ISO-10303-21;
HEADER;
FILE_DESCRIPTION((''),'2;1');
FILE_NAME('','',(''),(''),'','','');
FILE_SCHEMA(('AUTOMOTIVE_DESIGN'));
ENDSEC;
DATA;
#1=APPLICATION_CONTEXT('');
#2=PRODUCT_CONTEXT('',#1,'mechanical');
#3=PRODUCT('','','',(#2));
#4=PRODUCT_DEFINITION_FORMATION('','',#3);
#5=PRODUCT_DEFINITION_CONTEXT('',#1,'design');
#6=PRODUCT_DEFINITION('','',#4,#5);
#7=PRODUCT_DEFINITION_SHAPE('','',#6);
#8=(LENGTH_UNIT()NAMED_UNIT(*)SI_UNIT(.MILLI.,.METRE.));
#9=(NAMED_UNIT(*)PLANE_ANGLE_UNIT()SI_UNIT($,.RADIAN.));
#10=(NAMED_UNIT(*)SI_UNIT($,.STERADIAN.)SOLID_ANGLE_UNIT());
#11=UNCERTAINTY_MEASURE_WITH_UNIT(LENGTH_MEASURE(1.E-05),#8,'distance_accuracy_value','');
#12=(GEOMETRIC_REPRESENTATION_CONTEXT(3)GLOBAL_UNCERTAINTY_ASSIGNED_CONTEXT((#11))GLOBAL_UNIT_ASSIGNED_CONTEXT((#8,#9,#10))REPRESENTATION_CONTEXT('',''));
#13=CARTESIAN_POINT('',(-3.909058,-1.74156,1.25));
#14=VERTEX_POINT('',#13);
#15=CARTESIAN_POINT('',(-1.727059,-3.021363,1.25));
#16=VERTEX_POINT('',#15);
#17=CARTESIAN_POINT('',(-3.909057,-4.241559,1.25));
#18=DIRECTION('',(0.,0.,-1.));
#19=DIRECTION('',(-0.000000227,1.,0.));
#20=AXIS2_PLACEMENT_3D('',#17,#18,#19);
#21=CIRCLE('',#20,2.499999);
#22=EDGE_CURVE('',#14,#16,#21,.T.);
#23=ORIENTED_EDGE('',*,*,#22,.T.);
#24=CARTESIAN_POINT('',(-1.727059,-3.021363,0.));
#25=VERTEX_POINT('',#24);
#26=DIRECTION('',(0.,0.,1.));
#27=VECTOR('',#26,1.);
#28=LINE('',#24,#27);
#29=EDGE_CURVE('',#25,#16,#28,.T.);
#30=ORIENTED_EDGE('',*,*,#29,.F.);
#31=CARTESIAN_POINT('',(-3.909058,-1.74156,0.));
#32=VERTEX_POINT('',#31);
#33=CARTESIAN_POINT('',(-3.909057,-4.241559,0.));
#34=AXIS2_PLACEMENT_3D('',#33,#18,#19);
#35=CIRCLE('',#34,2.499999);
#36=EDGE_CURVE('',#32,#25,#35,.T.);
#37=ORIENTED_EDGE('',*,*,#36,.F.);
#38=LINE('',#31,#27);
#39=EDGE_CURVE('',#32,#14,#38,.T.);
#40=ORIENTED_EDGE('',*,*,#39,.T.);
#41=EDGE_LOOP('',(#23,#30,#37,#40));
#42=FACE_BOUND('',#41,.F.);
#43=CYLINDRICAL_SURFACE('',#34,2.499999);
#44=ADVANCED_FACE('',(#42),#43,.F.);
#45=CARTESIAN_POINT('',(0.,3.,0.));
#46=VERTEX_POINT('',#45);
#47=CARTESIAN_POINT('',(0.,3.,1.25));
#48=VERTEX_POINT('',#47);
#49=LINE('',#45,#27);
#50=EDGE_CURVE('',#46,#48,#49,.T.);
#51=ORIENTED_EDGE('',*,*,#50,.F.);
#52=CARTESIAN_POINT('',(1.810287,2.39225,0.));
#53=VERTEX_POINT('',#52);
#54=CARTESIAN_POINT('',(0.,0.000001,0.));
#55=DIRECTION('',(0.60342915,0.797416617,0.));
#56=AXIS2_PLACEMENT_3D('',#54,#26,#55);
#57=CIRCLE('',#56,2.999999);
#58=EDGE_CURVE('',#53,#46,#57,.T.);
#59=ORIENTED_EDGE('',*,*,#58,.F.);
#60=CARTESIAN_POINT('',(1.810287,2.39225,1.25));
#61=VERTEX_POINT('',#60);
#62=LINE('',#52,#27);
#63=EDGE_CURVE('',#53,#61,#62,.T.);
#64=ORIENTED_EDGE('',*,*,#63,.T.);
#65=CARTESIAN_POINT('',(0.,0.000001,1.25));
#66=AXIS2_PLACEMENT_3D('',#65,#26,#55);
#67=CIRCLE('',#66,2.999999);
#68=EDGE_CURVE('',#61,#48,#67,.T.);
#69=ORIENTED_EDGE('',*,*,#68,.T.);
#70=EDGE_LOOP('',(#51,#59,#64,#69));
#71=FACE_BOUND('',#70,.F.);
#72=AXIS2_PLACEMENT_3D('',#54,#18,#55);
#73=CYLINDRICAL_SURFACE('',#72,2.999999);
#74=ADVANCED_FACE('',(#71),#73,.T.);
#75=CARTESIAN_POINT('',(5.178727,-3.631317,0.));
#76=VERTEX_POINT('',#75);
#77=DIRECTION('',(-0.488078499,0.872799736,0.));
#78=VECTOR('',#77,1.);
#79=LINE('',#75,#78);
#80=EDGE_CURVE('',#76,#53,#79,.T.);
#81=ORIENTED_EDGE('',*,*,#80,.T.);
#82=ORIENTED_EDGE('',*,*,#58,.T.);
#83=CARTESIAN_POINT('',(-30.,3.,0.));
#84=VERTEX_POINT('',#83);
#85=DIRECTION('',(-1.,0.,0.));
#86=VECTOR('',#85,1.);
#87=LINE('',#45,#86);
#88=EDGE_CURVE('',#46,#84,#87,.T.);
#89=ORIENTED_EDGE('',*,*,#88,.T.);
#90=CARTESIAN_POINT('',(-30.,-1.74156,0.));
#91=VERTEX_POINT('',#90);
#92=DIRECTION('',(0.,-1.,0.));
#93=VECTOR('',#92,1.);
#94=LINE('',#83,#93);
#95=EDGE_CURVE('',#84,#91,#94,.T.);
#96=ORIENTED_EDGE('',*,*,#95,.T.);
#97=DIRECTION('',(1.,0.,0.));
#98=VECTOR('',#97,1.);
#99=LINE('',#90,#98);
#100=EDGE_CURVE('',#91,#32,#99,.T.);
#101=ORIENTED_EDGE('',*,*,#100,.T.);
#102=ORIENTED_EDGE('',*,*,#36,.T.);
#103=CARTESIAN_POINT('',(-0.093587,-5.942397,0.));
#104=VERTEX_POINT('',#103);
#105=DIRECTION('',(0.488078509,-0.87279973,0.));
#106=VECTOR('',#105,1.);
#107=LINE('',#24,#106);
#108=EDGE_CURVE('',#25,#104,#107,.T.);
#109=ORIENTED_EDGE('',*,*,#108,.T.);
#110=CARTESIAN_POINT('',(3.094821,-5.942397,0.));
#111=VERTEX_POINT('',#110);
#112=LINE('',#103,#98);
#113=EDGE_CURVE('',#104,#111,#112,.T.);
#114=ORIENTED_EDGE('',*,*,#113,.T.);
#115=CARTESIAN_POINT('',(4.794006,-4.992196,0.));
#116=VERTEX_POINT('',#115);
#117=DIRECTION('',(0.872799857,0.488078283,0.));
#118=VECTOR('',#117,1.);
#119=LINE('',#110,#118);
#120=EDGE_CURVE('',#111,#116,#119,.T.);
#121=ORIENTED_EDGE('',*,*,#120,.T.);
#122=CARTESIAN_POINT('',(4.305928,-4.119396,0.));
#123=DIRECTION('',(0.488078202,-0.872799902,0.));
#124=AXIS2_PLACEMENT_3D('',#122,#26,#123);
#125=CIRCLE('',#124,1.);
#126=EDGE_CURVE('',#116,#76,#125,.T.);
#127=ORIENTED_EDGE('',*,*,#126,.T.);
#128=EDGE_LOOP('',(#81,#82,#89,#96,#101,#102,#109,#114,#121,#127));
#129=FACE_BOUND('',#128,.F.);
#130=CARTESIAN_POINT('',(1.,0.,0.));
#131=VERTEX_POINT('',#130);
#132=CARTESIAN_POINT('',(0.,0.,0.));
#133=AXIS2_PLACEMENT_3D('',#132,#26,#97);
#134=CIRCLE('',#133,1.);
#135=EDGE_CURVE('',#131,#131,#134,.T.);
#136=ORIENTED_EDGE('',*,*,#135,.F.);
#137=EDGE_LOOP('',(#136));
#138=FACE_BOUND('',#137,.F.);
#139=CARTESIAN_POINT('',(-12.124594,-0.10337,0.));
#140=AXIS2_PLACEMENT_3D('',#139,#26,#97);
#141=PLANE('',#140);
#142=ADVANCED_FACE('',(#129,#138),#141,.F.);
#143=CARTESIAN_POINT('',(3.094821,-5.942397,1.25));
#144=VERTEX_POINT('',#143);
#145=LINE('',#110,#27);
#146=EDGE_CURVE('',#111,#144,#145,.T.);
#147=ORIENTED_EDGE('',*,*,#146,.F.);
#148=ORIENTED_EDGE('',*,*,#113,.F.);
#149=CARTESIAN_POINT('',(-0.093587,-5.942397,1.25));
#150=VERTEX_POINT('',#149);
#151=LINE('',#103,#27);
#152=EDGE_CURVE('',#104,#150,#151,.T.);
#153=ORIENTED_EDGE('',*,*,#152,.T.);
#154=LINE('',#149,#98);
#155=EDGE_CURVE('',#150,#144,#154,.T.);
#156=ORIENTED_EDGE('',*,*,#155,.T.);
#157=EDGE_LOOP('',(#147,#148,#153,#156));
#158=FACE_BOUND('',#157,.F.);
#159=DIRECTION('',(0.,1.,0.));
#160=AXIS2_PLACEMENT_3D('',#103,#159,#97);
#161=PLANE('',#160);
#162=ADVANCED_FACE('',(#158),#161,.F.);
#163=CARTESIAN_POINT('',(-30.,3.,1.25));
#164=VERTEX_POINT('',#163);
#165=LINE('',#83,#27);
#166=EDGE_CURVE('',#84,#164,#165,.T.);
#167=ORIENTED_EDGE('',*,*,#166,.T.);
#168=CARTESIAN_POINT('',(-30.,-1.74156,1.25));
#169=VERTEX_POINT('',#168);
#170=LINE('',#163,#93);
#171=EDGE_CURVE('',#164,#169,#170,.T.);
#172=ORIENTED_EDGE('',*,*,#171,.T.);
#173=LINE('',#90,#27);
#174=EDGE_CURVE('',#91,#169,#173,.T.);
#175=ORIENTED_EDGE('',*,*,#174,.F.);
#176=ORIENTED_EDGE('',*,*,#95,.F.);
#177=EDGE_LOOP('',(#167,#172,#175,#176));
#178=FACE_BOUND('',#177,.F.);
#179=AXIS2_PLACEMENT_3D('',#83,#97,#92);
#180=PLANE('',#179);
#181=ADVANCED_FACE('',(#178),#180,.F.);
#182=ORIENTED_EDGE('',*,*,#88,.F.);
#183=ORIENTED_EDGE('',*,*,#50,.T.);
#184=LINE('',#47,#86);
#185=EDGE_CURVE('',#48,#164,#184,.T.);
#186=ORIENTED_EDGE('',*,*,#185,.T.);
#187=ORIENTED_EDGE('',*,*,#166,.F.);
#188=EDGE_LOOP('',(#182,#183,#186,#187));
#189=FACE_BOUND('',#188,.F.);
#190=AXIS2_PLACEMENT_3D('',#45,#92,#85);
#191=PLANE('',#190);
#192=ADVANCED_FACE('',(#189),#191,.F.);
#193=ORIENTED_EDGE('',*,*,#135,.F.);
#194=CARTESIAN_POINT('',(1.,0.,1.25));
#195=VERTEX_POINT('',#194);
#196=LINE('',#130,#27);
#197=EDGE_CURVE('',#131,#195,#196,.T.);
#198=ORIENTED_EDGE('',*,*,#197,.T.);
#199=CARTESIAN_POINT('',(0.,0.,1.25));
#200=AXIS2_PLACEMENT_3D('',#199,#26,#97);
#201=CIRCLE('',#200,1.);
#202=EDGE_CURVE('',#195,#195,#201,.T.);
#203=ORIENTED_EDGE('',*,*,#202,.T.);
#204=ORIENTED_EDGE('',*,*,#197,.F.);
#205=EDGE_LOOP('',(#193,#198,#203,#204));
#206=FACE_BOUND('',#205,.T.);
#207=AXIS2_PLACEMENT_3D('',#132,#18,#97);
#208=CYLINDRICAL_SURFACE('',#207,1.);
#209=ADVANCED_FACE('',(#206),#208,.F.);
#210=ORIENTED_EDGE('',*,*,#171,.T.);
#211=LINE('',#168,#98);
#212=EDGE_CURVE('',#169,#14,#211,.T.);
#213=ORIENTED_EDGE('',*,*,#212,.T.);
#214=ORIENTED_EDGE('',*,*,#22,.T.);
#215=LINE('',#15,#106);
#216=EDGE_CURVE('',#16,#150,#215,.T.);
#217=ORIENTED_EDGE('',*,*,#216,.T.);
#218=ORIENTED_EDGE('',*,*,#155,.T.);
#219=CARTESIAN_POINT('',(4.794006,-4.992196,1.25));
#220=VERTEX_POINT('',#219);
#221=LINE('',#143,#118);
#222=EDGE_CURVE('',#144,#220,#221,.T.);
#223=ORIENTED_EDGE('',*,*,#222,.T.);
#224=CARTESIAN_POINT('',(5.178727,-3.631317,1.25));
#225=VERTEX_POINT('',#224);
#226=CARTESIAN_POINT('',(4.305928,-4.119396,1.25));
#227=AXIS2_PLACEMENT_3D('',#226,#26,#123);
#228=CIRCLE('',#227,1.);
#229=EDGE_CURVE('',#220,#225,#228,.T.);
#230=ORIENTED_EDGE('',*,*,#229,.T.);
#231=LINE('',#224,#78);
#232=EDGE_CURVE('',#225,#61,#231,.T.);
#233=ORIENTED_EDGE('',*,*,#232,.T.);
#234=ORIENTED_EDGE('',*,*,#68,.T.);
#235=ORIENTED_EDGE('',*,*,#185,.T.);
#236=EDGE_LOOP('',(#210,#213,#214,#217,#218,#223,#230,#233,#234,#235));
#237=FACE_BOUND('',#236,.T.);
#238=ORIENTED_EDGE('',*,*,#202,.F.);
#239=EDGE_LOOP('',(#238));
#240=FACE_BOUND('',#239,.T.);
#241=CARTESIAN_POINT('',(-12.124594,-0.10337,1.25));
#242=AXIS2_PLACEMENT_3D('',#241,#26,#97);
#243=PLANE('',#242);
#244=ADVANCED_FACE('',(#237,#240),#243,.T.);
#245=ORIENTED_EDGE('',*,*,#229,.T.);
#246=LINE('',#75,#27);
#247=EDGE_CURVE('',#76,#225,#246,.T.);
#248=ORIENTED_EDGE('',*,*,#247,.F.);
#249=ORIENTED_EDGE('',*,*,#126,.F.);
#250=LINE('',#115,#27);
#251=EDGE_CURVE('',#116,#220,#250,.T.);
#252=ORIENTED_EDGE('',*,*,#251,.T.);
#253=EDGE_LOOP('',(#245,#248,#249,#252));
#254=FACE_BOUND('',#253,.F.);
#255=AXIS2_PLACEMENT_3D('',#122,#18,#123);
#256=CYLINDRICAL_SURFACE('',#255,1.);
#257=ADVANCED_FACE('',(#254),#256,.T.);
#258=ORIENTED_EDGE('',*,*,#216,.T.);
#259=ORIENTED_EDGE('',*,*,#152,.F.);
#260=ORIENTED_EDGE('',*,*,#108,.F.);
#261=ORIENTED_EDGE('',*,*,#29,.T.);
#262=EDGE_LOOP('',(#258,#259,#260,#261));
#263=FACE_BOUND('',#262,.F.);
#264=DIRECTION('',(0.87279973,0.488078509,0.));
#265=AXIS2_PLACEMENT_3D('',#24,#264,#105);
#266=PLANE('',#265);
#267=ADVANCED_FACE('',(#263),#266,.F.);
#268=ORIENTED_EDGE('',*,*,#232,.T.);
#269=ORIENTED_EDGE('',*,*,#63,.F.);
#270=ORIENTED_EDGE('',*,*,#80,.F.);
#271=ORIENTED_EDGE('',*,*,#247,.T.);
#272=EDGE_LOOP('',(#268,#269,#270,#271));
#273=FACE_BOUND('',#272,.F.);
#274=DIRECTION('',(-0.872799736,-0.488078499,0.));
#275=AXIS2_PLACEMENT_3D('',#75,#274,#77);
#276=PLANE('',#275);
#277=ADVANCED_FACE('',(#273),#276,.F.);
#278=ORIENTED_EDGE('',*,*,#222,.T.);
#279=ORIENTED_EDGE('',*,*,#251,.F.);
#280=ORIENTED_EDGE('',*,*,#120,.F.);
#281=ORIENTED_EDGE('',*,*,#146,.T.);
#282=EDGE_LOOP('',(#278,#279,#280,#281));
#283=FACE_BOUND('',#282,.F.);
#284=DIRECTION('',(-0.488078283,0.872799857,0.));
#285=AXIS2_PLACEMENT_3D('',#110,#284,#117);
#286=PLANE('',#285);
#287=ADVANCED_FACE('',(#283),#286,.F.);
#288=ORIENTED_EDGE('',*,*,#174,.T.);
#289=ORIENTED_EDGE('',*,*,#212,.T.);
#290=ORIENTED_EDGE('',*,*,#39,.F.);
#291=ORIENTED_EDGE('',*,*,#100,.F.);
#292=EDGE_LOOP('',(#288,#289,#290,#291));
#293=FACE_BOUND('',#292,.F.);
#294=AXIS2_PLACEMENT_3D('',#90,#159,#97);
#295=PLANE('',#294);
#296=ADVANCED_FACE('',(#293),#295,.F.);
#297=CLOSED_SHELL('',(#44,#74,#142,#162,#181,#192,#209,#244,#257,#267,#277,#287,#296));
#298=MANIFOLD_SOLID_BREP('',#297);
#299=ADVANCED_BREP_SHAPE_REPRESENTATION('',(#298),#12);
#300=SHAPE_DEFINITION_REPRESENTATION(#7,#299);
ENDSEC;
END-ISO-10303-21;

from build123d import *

# Parameters (mm, degrees)
F0_R     = 1
F1_DEPTH = 1.25


with BuildPart() as f1:
    # F0 (on Top) → F1 (new body)
    with BuildSketch(Plane.XY):
        with BuildLine():
            Line((5.178727, -3.631317), (1.810287, 2.39225))
            ThreePointArc((1.810287, 2.39225), (0.95479, 2.844007), (0, 3))
            Line((0, 3), (-30, 3))
            Line((-30, 3), (-30, -1.74156))
            Line((-30, -1.74156), (-3.909058, -1.74156))
            ThreePointArc((-3.909058, -1.74156), (-2.644244, -2.085117), (-1.727059, -3.021363))
            Line((-1.727059, -3.021363), (-0.093587, -5.942397))
            Line((-0.093587, -5.942397), (3.094821, -5.942397))
            Line((3.094821, -5.942397), (4.794006, -4.992196))
            ThreePointArc((4.794006, -4.992196), (5.268214, -4.391435), (5.178727, -3.631317))
        make_face()
        Circle(F0_R, mode=Mode.SUBTRACT)
    extrude(amount=F1_DEPTH)


solid = f1.part
